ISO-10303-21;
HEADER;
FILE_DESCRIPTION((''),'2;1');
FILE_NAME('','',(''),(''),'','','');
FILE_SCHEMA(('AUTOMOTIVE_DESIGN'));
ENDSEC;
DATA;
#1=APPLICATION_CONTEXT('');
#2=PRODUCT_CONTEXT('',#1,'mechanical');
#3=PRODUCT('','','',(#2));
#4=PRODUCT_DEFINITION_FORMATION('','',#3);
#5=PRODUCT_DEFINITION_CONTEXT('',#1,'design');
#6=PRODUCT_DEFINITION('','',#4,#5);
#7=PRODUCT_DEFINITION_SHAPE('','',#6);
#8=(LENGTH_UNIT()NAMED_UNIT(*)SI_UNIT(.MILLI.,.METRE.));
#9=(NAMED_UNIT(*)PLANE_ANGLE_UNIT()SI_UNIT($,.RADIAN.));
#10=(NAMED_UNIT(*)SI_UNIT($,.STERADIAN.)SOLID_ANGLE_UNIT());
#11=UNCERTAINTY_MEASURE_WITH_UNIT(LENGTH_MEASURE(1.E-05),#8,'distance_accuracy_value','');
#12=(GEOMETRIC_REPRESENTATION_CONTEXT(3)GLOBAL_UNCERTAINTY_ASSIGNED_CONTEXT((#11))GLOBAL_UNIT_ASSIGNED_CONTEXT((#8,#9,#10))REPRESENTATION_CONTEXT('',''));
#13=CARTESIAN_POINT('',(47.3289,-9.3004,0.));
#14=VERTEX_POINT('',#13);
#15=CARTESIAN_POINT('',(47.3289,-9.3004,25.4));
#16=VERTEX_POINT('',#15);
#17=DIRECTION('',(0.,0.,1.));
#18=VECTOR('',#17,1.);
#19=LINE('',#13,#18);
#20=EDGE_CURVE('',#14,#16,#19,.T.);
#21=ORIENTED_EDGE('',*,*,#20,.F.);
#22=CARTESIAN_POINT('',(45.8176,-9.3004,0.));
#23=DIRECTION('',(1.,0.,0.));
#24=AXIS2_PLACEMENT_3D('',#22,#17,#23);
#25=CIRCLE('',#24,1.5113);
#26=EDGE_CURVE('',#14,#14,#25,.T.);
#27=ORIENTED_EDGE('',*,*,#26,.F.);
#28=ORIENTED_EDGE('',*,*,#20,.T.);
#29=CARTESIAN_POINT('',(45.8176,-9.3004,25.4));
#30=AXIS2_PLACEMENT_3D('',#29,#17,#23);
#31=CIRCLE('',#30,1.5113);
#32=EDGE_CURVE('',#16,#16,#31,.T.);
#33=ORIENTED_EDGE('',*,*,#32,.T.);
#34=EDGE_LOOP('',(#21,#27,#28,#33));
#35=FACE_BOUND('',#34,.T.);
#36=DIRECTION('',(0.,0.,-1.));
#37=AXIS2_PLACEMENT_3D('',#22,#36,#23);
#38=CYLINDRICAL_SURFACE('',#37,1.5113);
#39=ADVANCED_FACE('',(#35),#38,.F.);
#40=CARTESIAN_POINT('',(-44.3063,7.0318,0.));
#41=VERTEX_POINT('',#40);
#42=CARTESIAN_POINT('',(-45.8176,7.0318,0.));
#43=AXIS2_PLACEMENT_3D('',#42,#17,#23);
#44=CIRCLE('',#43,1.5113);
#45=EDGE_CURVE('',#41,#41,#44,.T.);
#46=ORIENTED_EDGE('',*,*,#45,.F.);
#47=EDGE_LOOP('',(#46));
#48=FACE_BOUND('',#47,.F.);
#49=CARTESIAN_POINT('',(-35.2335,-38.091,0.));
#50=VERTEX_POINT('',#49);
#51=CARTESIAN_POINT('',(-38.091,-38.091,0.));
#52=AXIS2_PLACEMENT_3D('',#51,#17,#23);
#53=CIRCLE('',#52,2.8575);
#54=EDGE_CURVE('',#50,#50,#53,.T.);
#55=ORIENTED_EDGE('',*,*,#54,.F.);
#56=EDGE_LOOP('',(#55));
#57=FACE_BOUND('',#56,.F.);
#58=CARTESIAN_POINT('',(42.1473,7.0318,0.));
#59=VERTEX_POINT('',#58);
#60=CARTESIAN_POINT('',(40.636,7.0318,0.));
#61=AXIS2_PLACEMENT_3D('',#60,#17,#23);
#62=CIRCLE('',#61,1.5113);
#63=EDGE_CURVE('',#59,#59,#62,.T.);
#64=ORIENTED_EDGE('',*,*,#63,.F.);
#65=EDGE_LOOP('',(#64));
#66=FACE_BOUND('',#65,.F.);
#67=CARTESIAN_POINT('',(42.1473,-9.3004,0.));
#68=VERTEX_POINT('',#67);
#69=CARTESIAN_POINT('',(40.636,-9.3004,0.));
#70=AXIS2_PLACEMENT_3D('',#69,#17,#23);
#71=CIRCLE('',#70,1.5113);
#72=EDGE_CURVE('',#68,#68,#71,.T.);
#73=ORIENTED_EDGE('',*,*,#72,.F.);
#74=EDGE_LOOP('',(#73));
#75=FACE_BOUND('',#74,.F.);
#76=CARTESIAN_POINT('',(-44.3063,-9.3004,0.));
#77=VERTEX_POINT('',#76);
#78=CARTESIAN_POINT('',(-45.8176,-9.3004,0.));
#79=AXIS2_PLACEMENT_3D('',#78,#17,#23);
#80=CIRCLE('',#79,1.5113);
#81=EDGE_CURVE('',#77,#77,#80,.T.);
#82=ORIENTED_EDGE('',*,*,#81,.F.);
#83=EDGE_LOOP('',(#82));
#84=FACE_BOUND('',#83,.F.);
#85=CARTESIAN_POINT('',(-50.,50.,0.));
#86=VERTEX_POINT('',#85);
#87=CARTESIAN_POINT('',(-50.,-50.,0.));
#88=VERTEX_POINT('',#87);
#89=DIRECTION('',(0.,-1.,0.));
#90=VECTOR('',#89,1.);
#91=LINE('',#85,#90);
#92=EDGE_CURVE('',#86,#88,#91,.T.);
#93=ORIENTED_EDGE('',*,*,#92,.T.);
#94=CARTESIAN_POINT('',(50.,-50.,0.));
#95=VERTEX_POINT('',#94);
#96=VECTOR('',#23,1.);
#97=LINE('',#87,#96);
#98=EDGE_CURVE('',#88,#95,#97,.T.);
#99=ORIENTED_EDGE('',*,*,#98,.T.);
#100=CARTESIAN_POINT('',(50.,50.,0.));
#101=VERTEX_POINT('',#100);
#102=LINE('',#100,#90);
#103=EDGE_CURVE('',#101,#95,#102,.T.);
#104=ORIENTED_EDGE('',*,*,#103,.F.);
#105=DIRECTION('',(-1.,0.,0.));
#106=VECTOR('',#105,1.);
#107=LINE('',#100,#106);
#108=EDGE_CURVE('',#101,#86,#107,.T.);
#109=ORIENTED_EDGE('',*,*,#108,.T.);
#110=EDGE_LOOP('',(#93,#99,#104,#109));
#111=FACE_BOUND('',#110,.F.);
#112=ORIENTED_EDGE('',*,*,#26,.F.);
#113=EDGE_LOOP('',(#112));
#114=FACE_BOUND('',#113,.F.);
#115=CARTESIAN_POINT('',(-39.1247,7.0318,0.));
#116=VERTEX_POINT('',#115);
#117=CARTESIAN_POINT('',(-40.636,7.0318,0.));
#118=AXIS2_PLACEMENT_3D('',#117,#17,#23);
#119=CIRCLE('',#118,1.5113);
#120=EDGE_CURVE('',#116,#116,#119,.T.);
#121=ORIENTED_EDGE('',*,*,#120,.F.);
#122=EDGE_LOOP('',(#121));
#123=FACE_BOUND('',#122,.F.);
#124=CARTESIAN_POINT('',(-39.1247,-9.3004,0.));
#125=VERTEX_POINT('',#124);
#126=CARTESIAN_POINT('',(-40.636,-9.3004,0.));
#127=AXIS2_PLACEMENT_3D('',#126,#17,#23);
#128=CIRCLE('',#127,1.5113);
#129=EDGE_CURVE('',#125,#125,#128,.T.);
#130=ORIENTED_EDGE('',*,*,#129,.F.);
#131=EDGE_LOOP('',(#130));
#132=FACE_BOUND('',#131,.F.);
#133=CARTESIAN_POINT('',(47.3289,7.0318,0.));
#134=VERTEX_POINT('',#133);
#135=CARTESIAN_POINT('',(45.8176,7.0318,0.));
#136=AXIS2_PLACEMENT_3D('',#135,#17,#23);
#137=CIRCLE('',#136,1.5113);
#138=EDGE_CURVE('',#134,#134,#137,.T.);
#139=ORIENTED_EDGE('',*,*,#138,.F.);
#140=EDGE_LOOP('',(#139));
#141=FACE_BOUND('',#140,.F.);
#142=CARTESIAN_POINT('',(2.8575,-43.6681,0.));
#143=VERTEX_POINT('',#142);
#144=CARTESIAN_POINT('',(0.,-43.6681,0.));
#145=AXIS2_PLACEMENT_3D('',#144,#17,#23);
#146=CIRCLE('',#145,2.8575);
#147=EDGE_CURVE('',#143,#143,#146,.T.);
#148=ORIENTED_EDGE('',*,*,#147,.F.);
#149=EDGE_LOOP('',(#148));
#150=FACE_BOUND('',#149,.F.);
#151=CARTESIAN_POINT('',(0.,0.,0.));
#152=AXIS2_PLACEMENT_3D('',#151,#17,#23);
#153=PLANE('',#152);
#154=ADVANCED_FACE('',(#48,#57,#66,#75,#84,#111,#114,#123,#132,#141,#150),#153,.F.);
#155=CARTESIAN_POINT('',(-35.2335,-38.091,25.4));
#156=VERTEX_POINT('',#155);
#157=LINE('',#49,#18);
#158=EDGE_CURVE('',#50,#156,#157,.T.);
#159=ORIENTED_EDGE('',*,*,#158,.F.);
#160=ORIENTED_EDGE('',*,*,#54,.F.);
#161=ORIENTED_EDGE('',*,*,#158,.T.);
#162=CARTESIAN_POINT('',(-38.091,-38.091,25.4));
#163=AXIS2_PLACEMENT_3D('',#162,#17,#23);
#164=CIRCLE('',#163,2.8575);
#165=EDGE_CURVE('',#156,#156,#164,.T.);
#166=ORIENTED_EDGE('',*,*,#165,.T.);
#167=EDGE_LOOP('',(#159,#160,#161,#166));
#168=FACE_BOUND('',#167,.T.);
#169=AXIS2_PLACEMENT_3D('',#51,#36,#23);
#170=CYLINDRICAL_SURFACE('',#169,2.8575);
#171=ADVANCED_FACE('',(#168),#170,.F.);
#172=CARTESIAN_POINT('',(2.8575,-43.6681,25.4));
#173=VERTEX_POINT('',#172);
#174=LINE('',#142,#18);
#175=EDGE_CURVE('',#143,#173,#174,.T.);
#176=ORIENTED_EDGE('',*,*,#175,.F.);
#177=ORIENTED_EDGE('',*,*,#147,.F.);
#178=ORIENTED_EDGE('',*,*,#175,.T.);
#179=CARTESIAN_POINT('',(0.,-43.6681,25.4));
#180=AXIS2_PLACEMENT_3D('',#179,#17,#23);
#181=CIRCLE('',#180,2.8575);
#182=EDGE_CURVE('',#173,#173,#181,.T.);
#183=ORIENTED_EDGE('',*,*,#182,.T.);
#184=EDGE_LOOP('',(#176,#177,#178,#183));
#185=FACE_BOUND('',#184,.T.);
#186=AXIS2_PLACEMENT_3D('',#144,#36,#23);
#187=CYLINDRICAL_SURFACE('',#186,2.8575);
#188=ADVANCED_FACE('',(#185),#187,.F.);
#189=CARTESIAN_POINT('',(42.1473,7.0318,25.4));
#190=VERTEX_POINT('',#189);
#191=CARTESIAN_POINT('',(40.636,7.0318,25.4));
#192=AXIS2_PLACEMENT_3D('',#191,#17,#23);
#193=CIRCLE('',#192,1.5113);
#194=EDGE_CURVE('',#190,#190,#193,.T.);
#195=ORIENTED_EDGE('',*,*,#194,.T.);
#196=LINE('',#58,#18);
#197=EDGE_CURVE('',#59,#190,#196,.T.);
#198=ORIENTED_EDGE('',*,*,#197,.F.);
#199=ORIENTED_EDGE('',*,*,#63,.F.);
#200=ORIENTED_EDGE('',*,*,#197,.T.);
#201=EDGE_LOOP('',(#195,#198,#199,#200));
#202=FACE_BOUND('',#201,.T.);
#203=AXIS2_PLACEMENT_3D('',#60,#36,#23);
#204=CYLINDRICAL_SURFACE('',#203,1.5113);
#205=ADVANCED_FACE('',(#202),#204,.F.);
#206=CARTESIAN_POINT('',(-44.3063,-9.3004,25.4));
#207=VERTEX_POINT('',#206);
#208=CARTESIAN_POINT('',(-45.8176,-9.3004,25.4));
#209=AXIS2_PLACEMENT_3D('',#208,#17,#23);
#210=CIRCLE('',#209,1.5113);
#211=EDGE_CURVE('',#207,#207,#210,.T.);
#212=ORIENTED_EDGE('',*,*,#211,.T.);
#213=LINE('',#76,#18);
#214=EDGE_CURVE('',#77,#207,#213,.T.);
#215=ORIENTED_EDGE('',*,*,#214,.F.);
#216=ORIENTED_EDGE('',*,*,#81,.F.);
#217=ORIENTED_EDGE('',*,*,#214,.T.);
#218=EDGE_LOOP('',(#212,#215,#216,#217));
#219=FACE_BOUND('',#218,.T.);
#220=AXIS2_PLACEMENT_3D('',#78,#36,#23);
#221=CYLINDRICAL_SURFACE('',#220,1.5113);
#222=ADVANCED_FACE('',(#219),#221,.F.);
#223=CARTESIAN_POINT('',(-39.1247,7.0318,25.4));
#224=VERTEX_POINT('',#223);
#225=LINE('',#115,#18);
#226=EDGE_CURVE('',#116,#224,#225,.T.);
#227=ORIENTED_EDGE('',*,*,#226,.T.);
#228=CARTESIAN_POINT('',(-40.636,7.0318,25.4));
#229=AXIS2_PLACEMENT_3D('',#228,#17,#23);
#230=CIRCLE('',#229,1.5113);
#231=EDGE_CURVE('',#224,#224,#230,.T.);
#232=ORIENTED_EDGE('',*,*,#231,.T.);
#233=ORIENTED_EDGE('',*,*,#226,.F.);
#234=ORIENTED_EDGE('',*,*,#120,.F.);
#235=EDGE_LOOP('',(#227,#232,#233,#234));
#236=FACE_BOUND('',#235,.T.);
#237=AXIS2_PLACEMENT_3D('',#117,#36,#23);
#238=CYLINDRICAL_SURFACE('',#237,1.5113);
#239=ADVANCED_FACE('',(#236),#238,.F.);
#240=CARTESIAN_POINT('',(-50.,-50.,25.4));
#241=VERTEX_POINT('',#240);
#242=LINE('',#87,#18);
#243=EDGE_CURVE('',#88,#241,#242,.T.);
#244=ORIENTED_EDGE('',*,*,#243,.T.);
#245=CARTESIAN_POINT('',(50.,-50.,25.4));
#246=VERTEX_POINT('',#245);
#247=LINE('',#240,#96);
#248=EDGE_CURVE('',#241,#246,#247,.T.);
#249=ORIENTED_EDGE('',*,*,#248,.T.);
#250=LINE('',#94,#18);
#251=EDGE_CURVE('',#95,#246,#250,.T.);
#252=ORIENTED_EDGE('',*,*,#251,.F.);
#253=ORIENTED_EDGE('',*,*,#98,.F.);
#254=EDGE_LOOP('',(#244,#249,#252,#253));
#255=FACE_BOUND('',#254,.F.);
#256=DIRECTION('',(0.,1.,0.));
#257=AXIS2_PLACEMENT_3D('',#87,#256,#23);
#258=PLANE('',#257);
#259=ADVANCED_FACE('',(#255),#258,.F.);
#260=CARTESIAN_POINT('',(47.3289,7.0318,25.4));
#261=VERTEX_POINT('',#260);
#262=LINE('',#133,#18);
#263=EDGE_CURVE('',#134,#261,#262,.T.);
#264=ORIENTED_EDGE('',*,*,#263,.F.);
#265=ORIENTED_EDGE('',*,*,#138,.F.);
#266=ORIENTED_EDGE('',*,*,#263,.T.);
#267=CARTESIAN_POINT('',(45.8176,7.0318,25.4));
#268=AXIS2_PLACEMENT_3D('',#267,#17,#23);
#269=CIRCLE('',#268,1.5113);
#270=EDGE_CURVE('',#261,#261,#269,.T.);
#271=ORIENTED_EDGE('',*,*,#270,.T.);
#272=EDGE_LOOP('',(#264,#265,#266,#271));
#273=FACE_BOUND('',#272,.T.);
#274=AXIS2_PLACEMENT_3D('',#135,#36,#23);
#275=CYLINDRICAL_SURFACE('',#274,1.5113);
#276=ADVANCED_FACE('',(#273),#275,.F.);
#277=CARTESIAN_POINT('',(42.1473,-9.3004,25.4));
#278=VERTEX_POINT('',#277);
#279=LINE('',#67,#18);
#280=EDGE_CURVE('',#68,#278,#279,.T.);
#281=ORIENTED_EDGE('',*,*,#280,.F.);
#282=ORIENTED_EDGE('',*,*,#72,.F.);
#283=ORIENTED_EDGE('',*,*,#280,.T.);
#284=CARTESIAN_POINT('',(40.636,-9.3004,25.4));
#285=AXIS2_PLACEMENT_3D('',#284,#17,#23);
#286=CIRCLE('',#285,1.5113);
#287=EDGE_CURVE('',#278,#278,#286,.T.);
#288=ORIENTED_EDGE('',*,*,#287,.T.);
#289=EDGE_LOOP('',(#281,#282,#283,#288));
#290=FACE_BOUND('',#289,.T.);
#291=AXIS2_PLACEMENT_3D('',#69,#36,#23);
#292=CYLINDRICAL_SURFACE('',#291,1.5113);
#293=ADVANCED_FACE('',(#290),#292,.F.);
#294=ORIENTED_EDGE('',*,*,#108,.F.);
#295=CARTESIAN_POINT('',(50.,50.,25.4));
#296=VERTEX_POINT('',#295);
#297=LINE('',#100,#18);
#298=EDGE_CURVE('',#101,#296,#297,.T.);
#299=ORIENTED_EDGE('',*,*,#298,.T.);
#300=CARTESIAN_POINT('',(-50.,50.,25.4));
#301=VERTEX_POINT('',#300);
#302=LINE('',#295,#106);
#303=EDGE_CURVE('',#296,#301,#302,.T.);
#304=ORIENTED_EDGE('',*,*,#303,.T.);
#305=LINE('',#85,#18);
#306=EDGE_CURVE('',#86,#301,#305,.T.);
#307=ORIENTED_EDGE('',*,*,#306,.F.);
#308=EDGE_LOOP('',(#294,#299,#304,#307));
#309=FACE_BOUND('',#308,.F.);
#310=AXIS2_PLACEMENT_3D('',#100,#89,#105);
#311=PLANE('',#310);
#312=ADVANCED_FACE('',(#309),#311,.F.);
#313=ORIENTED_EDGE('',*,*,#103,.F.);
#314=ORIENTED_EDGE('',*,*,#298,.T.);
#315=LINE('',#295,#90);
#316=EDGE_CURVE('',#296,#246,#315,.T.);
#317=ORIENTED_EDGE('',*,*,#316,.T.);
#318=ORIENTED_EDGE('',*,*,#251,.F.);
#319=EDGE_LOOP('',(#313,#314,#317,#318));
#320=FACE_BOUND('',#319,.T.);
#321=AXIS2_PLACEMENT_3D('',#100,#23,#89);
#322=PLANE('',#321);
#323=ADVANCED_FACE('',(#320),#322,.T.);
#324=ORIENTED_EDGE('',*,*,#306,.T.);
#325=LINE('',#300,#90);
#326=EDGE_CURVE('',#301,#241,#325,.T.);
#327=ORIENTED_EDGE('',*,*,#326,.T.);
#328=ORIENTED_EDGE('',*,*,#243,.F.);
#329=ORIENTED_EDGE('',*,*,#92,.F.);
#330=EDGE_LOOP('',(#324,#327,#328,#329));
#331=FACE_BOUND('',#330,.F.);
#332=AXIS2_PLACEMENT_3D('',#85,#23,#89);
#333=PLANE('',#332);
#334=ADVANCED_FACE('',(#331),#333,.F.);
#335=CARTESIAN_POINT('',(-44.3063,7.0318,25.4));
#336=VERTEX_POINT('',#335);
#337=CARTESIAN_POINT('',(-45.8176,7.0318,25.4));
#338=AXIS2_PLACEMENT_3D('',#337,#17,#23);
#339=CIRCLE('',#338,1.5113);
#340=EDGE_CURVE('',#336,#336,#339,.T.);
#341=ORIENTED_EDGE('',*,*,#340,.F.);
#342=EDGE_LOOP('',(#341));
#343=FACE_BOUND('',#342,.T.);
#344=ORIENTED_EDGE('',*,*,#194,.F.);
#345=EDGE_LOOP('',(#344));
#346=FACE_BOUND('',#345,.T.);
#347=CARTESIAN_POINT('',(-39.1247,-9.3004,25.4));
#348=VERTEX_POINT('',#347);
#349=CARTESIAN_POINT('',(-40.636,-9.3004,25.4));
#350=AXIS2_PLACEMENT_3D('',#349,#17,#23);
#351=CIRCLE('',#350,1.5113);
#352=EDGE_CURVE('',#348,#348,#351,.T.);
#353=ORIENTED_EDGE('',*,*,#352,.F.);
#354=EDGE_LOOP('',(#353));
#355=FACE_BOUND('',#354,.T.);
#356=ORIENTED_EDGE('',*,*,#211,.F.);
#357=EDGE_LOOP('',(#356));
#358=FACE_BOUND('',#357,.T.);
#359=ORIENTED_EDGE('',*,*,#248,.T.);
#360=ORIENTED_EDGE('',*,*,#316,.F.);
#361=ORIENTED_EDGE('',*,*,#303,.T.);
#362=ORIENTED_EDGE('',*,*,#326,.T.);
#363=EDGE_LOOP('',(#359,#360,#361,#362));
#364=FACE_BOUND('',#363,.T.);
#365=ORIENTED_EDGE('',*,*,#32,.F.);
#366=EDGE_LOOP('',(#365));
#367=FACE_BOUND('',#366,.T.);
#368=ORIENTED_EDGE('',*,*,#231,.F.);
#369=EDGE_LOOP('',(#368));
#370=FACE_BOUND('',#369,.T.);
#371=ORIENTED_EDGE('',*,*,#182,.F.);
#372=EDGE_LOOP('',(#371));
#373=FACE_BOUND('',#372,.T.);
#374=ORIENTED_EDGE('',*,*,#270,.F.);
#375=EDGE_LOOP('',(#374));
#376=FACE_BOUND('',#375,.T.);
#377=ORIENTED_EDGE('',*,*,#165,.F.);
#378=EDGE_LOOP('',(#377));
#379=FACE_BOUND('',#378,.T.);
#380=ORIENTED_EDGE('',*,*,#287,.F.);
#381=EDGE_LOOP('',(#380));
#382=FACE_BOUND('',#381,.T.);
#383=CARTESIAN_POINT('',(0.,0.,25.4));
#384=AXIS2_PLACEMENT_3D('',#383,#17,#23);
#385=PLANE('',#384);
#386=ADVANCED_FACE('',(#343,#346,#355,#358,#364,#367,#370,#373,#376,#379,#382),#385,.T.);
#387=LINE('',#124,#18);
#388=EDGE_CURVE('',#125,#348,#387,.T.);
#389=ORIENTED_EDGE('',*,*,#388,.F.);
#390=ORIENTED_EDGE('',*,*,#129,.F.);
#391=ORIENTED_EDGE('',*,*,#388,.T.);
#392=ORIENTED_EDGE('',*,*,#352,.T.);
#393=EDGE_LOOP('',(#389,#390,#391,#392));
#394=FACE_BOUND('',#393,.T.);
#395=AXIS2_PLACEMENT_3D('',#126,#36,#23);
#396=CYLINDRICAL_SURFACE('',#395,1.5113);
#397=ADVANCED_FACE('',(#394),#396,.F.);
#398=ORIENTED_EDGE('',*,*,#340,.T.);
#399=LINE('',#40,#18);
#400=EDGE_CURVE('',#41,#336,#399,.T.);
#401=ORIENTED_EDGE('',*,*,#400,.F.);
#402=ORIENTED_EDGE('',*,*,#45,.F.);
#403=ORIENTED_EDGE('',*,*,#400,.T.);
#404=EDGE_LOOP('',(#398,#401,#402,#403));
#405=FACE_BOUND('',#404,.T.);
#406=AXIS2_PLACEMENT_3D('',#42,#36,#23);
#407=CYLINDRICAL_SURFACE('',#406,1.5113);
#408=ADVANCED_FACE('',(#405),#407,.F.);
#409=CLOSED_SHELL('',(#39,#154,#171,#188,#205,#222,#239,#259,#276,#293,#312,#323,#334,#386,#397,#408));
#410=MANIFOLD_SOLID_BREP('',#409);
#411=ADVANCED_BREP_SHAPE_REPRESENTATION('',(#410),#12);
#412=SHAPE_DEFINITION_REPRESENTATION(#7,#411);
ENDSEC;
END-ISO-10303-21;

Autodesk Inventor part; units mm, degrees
ref_plane "YZ Plane" through (0, 0, 0) normal (1, 0, 0) x (0, 1, 0)
ref_plane "XZ Plane" through (0, 0, 0) normal (0, 1, 0) x (-1, 0, 0)
ref_plane "XY Plane" through (0, 0, 0) normal (0, 0, 1) x (1, 0, 0)
sketch "Sketch1" plane through (0, 0, 0) normal (0, 0, 1) x (1, 0, 0)
  line L0 (-50, -50) -> (50, -50)
  line L1 (50, 50) -> (-50, 50)
  line L2 (-50, 50) -> (-50, -50)
  line L3 (50, -50) -> (-50, 50) construction
  circle A0 centre (0, -43.6681) radius 2.8575
  line L4 (50, 50) -> (50, -50)
  circle A1 centre (-38.091, -38.091) radius 2.8575
  circle A2 centre (40.636, -9.3004) radius 1.5113
  circle A3 centre (45.8176, -9.3004) radius 1.5113
  circle A4 centre (40.636, 7.0318) radius 1.5113
  circle A5 centre (45.8176, 7.0318) radius 1.5113
  circle A6 centre (-45.8176, 7.0318) radius 1.5113
  circle A7 centre (-40.636, 7.0318) radius 1.5113
  circle A8 centre (-45.8176, -9.3004) radius 1.5113
  circle A9 centre (-40.636, -9.3004) radius 1.5113
  dimension "d0" = 100
  dimension "d1" = 100
  dimension "d2" = 5.715
  dimension "d8" = 5.715
  dimension "d19" = 3.0226
  dimension "d24" = 2.159
  dimension "d25" = 13.3096
extrude "Extrusion3" add sketch "Sketch1" along normal blind 25.4
properties part number "fram jp"
